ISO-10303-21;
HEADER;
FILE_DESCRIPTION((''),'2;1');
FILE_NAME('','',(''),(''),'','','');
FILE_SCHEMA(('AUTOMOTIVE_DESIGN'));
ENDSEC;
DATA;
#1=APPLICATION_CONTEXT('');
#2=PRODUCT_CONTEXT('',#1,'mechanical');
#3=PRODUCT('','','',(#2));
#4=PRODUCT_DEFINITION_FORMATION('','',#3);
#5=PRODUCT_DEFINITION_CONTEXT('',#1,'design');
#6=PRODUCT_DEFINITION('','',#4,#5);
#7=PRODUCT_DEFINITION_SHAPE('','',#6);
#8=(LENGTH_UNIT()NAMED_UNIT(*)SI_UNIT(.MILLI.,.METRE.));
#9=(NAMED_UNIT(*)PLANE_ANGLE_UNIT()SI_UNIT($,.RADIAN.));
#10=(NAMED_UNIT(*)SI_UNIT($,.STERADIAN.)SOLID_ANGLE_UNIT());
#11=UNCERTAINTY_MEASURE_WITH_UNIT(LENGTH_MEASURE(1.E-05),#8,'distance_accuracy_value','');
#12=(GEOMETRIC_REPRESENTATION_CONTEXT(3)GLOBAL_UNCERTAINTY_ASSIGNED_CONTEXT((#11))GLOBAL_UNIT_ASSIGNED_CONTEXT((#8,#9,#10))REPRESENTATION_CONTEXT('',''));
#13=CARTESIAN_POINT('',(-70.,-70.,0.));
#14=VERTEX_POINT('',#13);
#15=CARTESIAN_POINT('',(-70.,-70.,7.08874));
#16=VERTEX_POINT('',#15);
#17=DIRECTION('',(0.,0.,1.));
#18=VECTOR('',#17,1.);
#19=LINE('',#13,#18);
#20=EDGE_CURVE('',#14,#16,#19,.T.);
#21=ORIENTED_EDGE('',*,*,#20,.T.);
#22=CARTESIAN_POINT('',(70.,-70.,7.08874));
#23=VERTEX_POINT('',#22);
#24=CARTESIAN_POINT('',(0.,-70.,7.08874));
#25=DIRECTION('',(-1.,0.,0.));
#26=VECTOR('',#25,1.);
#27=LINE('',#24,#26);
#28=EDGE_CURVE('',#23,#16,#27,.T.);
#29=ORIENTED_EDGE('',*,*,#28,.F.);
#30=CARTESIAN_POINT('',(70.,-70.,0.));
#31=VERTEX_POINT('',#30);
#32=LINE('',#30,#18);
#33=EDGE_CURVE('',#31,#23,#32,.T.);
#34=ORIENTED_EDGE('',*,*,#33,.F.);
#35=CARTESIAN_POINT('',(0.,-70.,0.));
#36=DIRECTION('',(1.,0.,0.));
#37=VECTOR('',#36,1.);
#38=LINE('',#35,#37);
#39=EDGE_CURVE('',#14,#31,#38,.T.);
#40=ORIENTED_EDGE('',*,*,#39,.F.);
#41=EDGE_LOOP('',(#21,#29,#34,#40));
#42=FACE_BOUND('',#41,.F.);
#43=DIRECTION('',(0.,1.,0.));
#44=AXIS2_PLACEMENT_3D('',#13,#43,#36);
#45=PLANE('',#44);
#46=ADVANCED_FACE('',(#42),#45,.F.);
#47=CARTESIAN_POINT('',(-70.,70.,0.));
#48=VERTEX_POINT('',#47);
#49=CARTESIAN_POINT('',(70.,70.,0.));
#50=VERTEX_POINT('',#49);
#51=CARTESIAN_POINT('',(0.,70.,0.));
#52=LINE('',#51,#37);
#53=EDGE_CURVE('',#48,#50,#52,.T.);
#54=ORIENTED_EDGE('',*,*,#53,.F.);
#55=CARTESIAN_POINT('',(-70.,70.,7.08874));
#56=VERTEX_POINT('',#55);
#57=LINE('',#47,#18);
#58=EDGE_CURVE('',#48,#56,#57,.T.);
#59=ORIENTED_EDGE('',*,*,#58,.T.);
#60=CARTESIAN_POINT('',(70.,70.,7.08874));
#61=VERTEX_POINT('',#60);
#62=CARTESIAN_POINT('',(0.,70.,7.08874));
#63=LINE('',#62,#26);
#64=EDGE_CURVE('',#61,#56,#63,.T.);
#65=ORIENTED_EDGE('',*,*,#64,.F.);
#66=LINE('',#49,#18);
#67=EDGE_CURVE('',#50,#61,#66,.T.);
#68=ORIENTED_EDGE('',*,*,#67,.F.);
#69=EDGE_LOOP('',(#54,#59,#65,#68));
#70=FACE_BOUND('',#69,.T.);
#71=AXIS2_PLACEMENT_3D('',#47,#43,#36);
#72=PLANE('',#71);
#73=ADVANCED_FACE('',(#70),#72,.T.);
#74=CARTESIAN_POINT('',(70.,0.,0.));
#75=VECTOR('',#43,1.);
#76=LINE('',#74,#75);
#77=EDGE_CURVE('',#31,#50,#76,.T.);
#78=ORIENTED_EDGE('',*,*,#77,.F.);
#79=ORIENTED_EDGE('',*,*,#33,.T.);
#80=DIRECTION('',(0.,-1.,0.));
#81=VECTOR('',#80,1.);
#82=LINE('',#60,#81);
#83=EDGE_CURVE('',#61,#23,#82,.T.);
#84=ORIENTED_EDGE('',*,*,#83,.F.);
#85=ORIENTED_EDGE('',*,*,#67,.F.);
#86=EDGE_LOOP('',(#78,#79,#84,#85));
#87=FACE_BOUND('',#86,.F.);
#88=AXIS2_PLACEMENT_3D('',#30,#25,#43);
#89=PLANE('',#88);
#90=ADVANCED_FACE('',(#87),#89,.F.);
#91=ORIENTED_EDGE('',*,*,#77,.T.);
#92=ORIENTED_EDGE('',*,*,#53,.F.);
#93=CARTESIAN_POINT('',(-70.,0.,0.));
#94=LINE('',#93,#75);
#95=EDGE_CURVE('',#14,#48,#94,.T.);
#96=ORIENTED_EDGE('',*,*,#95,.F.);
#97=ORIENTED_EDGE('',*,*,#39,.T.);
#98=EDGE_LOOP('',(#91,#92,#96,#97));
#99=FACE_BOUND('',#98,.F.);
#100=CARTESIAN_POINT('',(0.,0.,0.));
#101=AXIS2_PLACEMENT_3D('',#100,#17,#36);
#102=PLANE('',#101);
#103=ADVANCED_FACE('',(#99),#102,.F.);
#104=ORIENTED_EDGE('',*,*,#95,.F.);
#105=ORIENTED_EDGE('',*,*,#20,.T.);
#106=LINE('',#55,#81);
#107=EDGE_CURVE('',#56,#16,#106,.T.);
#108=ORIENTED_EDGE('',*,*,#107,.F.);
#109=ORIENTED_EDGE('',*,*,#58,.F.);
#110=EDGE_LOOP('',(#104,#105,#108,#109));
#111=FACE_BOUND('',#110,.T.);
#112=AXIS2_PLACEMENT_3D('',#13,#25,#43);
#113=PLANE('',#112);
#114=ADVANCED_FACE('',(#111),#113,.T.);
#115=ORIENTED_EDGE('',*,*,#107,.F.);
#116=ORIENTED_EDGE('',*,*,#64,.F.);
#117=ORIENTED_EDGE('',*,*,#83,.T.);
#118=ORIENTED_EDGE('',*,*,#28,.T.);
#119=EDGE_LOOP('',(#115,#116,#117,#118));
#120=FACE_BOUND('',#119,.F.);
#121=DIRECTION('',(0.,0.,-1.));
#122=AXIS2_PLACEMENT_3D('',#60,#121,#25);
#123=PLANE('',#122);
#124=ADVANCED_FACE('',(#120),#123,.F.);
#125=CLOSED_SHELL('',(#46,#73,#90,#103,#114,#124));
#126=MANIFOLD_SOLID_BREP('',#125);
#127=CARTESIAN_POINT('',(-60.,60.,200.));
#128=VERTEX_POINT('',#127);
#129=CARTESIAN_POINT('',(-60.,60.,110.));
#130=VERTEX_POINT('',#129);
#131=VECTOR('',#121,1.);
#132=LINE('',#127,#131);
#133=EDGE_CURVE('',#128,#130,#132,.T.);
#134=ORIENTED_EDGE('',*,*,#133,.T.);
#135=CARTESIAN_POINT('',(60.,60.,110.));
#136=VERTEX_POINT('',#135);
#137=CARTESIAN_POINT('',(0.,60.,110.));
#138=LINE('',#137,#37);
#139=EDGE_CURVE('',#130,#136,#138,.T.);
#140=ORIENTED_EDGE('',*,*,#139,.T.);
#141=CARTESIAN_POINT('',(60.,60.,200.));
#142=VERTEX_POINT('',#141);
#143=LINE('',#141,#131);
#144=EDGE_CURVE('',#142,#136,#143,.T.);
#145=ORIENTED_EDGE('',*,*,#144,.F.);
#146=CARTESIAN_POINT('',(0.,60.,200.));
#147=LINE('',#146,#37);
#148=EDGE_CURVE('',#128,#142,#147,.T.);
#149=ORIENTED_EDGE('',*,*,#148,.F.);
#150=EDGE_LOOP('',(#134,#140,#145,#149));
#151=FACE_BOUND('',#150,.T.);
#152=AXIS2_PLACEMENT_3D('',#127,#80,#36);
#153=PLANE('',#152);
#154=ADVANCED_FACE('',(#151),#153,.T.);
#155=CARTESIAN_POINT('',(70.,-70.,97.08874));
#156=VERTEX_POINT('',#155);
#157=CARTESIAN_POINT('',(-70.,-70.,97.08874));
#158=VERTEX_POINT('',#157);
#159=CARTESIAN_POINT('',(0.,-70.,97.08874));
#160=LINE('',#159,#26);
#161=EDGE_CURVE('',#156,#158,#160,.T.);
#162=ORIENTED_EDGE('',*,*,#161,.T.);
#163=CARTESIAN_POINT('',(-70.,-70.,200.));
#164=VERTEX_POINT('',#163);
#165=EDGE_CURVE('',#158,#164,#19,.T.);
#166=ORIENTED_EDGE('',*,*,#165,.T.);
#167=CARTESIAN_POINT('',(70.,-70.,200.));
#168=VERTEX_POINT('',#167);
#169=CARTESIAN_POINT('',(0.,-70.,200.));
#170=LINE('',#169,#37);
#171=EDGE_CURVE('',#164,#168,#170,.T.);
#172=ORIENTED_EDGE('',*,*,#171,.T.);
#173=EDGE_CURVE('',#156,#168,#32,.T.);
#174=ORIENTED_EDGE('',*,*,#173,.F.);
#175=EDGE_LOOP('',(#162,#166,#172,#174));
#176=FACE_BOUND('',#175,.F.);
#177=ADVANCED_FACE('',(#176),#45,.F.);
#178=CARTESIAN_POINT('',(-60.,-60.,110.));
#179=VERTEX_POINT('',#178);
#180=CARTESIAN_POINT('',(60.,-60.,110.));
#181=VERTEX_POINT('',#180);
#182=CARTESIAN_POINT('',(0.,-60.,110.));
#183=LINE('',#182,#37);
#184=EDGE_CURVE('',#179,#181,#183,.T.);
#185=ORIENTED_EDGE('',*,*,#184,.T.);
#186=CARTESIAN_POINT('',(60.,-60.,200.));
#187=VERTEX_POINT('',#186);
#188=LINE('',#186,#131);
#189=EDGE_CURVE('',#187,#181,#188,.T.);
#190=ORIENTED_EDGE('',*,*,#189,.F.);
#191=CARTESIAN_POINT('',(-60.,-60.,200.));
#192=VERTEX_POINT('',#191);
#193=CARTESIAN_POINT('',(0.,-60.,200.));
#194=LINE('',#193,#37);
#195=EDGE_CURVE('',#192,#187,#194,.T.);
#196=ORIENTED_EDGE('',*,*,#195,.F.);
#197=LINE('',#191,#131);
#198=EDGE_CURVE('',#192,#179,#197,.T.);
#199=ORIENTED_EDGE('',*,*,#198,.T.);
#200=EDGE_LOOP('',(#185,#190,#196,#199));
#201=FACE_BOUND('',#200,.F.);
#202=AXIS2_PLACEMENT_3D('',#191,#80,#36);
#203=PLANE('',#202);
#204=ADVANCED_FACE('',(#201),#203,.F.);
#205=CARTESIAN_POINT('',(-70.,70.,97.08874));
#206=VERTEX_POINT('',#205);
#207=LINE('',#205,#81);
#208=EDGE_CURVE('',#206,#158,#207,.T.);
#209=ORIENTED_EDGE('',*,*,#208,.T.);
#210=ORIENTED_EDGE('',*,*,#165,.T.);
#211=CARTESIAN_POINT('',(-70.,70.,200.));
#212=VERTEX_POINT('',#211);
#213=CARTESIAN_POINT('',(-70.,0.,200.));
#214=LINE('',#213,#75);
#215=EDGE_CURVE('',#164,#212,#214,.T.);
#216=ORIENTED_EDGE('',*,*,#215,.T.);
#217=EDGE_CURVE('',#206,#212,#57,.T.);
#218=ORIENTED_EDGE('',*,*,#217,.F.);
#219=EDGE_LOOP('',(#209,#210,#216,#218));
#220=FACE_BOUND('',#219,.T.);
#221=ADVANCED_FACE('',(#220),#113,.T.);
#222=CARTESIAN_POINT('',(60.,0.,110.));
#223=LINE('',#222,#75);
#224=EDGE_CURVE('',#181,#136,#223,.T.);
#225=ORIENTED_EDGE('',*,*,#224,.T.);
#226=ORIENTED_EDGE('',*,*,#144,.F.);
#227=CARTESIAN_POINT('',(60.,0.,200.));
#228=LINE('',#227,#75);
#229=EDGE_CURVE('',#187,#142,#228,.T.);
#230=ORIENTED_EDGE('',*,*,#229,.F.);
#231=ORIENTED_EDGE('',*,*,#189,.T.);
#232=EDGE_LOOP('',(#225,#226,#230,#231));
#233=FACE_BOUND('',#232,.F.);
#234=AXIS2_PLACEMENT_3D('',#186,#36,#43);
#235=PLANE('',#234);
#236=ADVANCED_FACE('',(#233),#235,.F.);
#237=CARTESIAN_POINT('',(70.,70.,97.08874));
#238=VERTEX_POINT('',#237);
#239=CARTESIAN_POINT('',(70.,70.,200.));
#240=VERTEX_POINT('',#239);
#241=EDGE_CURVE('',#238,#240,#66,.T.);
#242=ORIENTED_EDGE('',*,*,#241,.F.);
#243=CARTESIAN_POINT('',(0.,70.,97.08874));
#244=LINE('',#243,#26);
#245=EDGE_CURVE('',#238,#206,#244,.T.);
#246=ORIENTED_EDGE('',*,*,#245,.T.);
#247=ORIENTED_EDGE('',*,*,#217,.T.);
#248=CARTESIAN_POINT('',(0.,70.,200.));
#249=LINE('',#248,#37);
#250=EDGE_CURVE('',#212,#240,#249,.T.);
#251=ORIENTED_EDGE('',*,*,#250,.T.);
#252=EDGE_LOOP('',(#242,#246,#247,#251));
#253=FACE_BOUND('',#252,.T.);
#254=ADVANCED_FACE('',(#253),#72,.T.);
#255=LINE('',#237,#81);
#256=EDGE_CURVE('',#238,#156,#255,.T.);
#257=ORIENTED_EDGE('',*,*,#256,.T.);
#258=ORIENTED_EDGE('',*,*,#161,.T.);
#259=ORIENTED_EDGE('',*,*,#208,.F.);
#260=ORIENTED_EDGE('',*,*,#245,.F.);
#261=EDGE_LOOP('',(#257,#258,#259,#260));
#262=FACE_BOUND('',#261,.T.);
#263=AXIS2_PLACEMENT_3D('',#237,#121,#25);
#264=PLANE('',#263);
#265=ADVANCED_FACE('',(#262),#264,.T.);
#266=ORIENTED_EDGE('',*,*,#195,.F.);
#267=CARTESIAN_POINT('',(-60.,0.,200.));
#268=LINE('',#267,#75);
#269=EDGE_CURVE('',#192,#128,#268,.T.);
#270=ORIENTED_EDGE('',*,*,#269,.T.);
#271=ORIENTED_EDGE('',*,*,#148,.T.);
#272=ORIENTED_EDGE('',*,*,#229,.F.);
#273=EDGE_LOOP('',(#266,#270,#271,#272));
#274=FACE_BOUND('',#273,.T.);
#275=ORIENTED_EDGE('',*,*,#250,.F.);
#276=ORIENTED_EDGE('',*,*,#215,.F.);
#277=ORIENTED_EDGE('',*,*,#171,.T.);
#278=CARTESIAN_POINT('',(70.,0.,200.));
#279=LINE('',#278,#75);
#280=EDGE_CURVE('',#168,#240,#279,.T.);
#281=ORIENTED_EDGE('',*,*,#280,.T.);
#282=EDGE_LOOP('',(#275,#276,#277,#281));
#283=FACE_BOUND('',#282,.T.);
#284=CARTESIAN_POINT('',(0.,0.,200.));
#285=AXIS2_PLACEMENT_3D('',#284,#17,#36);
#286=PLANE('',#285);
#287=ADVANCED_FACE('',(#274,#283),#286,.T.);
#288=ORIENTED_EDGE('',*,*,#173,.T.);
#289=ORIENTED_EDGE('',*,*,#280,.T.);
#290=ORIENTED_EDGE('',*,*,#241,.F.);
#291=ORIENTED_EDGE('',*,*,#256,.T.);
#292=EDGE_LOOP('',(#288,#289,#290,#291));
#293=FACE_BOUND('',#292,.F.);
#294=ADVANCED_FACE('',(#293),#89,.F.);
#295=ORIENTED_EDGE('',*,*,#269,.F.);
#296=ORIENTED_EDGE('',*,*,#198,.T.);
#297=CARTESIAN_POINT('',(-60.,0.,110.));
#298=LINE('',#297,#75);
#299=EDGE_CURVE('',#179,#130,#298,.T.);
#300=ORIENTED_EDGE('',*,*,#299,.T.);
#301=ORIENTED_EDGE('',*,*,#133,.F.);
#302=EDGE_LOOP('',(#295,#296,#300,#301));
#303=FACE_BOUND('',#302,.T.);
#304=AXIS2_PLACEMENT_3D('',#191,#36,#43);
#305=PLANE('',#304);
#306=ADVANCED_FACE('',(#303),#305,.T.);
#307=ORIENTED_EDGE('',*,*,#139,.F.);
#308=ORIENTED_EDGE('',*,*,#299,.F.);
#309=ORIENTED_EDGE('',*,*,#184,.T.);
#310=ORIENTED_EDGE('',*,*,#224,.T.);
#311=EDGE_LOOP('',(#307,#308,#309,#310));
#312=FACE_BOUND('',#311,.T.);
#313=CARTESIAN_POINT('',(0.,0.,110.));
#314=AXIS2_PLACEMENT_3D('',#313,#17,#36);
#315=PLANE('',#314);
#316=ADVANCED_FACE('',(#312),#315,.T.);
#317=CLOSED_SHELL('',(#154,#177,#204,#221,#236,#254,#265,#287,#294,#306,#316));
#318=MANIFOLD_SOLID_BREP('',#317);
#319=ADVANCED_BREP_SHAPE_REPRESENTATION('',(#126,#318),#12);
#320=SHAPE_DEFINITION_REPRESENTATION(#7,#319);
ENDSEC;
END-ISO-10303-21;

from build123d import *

# Parameters (mm, degrees)
F0_W     = 140
F0_H     = 140
F1_DEPTH = 200
F3_W     = 140
F3_H     = 90
F4_DEPTH = 190
F5_W     = 120
F5_H     = 120
F6_DEPTH = 90


with BuildPart() as f1:
    # F0 (on Top) → F1 (new body)
    with BuildSketch(Plane.XY):
        Rectangle(F0_W, F0_H)
    extrude(amount=F1_DEPTH)

    # F3 (on face) → F4 (cut)
    with BuildSketch(Plane(origin=(0, 70, 0), x_dir=(-1, 0, 0), z_dir=(0, 1, 0))):
        with Locations((0, 52.08874)):
            Rectangle(F3_W, F3_H)
    extrude(amount=-F4_DEPTH, mode=Mode.SUBTRACT)

    # F5 (on face) → F6 (cut)
    with BuildSketch(Plane.XY.offset(200)):
        Rectangle(F5_W, F5_H)
    extrude(amount=-F6_DEPTH, mode=Mode.SUBTRACT)


solid = f1.part
